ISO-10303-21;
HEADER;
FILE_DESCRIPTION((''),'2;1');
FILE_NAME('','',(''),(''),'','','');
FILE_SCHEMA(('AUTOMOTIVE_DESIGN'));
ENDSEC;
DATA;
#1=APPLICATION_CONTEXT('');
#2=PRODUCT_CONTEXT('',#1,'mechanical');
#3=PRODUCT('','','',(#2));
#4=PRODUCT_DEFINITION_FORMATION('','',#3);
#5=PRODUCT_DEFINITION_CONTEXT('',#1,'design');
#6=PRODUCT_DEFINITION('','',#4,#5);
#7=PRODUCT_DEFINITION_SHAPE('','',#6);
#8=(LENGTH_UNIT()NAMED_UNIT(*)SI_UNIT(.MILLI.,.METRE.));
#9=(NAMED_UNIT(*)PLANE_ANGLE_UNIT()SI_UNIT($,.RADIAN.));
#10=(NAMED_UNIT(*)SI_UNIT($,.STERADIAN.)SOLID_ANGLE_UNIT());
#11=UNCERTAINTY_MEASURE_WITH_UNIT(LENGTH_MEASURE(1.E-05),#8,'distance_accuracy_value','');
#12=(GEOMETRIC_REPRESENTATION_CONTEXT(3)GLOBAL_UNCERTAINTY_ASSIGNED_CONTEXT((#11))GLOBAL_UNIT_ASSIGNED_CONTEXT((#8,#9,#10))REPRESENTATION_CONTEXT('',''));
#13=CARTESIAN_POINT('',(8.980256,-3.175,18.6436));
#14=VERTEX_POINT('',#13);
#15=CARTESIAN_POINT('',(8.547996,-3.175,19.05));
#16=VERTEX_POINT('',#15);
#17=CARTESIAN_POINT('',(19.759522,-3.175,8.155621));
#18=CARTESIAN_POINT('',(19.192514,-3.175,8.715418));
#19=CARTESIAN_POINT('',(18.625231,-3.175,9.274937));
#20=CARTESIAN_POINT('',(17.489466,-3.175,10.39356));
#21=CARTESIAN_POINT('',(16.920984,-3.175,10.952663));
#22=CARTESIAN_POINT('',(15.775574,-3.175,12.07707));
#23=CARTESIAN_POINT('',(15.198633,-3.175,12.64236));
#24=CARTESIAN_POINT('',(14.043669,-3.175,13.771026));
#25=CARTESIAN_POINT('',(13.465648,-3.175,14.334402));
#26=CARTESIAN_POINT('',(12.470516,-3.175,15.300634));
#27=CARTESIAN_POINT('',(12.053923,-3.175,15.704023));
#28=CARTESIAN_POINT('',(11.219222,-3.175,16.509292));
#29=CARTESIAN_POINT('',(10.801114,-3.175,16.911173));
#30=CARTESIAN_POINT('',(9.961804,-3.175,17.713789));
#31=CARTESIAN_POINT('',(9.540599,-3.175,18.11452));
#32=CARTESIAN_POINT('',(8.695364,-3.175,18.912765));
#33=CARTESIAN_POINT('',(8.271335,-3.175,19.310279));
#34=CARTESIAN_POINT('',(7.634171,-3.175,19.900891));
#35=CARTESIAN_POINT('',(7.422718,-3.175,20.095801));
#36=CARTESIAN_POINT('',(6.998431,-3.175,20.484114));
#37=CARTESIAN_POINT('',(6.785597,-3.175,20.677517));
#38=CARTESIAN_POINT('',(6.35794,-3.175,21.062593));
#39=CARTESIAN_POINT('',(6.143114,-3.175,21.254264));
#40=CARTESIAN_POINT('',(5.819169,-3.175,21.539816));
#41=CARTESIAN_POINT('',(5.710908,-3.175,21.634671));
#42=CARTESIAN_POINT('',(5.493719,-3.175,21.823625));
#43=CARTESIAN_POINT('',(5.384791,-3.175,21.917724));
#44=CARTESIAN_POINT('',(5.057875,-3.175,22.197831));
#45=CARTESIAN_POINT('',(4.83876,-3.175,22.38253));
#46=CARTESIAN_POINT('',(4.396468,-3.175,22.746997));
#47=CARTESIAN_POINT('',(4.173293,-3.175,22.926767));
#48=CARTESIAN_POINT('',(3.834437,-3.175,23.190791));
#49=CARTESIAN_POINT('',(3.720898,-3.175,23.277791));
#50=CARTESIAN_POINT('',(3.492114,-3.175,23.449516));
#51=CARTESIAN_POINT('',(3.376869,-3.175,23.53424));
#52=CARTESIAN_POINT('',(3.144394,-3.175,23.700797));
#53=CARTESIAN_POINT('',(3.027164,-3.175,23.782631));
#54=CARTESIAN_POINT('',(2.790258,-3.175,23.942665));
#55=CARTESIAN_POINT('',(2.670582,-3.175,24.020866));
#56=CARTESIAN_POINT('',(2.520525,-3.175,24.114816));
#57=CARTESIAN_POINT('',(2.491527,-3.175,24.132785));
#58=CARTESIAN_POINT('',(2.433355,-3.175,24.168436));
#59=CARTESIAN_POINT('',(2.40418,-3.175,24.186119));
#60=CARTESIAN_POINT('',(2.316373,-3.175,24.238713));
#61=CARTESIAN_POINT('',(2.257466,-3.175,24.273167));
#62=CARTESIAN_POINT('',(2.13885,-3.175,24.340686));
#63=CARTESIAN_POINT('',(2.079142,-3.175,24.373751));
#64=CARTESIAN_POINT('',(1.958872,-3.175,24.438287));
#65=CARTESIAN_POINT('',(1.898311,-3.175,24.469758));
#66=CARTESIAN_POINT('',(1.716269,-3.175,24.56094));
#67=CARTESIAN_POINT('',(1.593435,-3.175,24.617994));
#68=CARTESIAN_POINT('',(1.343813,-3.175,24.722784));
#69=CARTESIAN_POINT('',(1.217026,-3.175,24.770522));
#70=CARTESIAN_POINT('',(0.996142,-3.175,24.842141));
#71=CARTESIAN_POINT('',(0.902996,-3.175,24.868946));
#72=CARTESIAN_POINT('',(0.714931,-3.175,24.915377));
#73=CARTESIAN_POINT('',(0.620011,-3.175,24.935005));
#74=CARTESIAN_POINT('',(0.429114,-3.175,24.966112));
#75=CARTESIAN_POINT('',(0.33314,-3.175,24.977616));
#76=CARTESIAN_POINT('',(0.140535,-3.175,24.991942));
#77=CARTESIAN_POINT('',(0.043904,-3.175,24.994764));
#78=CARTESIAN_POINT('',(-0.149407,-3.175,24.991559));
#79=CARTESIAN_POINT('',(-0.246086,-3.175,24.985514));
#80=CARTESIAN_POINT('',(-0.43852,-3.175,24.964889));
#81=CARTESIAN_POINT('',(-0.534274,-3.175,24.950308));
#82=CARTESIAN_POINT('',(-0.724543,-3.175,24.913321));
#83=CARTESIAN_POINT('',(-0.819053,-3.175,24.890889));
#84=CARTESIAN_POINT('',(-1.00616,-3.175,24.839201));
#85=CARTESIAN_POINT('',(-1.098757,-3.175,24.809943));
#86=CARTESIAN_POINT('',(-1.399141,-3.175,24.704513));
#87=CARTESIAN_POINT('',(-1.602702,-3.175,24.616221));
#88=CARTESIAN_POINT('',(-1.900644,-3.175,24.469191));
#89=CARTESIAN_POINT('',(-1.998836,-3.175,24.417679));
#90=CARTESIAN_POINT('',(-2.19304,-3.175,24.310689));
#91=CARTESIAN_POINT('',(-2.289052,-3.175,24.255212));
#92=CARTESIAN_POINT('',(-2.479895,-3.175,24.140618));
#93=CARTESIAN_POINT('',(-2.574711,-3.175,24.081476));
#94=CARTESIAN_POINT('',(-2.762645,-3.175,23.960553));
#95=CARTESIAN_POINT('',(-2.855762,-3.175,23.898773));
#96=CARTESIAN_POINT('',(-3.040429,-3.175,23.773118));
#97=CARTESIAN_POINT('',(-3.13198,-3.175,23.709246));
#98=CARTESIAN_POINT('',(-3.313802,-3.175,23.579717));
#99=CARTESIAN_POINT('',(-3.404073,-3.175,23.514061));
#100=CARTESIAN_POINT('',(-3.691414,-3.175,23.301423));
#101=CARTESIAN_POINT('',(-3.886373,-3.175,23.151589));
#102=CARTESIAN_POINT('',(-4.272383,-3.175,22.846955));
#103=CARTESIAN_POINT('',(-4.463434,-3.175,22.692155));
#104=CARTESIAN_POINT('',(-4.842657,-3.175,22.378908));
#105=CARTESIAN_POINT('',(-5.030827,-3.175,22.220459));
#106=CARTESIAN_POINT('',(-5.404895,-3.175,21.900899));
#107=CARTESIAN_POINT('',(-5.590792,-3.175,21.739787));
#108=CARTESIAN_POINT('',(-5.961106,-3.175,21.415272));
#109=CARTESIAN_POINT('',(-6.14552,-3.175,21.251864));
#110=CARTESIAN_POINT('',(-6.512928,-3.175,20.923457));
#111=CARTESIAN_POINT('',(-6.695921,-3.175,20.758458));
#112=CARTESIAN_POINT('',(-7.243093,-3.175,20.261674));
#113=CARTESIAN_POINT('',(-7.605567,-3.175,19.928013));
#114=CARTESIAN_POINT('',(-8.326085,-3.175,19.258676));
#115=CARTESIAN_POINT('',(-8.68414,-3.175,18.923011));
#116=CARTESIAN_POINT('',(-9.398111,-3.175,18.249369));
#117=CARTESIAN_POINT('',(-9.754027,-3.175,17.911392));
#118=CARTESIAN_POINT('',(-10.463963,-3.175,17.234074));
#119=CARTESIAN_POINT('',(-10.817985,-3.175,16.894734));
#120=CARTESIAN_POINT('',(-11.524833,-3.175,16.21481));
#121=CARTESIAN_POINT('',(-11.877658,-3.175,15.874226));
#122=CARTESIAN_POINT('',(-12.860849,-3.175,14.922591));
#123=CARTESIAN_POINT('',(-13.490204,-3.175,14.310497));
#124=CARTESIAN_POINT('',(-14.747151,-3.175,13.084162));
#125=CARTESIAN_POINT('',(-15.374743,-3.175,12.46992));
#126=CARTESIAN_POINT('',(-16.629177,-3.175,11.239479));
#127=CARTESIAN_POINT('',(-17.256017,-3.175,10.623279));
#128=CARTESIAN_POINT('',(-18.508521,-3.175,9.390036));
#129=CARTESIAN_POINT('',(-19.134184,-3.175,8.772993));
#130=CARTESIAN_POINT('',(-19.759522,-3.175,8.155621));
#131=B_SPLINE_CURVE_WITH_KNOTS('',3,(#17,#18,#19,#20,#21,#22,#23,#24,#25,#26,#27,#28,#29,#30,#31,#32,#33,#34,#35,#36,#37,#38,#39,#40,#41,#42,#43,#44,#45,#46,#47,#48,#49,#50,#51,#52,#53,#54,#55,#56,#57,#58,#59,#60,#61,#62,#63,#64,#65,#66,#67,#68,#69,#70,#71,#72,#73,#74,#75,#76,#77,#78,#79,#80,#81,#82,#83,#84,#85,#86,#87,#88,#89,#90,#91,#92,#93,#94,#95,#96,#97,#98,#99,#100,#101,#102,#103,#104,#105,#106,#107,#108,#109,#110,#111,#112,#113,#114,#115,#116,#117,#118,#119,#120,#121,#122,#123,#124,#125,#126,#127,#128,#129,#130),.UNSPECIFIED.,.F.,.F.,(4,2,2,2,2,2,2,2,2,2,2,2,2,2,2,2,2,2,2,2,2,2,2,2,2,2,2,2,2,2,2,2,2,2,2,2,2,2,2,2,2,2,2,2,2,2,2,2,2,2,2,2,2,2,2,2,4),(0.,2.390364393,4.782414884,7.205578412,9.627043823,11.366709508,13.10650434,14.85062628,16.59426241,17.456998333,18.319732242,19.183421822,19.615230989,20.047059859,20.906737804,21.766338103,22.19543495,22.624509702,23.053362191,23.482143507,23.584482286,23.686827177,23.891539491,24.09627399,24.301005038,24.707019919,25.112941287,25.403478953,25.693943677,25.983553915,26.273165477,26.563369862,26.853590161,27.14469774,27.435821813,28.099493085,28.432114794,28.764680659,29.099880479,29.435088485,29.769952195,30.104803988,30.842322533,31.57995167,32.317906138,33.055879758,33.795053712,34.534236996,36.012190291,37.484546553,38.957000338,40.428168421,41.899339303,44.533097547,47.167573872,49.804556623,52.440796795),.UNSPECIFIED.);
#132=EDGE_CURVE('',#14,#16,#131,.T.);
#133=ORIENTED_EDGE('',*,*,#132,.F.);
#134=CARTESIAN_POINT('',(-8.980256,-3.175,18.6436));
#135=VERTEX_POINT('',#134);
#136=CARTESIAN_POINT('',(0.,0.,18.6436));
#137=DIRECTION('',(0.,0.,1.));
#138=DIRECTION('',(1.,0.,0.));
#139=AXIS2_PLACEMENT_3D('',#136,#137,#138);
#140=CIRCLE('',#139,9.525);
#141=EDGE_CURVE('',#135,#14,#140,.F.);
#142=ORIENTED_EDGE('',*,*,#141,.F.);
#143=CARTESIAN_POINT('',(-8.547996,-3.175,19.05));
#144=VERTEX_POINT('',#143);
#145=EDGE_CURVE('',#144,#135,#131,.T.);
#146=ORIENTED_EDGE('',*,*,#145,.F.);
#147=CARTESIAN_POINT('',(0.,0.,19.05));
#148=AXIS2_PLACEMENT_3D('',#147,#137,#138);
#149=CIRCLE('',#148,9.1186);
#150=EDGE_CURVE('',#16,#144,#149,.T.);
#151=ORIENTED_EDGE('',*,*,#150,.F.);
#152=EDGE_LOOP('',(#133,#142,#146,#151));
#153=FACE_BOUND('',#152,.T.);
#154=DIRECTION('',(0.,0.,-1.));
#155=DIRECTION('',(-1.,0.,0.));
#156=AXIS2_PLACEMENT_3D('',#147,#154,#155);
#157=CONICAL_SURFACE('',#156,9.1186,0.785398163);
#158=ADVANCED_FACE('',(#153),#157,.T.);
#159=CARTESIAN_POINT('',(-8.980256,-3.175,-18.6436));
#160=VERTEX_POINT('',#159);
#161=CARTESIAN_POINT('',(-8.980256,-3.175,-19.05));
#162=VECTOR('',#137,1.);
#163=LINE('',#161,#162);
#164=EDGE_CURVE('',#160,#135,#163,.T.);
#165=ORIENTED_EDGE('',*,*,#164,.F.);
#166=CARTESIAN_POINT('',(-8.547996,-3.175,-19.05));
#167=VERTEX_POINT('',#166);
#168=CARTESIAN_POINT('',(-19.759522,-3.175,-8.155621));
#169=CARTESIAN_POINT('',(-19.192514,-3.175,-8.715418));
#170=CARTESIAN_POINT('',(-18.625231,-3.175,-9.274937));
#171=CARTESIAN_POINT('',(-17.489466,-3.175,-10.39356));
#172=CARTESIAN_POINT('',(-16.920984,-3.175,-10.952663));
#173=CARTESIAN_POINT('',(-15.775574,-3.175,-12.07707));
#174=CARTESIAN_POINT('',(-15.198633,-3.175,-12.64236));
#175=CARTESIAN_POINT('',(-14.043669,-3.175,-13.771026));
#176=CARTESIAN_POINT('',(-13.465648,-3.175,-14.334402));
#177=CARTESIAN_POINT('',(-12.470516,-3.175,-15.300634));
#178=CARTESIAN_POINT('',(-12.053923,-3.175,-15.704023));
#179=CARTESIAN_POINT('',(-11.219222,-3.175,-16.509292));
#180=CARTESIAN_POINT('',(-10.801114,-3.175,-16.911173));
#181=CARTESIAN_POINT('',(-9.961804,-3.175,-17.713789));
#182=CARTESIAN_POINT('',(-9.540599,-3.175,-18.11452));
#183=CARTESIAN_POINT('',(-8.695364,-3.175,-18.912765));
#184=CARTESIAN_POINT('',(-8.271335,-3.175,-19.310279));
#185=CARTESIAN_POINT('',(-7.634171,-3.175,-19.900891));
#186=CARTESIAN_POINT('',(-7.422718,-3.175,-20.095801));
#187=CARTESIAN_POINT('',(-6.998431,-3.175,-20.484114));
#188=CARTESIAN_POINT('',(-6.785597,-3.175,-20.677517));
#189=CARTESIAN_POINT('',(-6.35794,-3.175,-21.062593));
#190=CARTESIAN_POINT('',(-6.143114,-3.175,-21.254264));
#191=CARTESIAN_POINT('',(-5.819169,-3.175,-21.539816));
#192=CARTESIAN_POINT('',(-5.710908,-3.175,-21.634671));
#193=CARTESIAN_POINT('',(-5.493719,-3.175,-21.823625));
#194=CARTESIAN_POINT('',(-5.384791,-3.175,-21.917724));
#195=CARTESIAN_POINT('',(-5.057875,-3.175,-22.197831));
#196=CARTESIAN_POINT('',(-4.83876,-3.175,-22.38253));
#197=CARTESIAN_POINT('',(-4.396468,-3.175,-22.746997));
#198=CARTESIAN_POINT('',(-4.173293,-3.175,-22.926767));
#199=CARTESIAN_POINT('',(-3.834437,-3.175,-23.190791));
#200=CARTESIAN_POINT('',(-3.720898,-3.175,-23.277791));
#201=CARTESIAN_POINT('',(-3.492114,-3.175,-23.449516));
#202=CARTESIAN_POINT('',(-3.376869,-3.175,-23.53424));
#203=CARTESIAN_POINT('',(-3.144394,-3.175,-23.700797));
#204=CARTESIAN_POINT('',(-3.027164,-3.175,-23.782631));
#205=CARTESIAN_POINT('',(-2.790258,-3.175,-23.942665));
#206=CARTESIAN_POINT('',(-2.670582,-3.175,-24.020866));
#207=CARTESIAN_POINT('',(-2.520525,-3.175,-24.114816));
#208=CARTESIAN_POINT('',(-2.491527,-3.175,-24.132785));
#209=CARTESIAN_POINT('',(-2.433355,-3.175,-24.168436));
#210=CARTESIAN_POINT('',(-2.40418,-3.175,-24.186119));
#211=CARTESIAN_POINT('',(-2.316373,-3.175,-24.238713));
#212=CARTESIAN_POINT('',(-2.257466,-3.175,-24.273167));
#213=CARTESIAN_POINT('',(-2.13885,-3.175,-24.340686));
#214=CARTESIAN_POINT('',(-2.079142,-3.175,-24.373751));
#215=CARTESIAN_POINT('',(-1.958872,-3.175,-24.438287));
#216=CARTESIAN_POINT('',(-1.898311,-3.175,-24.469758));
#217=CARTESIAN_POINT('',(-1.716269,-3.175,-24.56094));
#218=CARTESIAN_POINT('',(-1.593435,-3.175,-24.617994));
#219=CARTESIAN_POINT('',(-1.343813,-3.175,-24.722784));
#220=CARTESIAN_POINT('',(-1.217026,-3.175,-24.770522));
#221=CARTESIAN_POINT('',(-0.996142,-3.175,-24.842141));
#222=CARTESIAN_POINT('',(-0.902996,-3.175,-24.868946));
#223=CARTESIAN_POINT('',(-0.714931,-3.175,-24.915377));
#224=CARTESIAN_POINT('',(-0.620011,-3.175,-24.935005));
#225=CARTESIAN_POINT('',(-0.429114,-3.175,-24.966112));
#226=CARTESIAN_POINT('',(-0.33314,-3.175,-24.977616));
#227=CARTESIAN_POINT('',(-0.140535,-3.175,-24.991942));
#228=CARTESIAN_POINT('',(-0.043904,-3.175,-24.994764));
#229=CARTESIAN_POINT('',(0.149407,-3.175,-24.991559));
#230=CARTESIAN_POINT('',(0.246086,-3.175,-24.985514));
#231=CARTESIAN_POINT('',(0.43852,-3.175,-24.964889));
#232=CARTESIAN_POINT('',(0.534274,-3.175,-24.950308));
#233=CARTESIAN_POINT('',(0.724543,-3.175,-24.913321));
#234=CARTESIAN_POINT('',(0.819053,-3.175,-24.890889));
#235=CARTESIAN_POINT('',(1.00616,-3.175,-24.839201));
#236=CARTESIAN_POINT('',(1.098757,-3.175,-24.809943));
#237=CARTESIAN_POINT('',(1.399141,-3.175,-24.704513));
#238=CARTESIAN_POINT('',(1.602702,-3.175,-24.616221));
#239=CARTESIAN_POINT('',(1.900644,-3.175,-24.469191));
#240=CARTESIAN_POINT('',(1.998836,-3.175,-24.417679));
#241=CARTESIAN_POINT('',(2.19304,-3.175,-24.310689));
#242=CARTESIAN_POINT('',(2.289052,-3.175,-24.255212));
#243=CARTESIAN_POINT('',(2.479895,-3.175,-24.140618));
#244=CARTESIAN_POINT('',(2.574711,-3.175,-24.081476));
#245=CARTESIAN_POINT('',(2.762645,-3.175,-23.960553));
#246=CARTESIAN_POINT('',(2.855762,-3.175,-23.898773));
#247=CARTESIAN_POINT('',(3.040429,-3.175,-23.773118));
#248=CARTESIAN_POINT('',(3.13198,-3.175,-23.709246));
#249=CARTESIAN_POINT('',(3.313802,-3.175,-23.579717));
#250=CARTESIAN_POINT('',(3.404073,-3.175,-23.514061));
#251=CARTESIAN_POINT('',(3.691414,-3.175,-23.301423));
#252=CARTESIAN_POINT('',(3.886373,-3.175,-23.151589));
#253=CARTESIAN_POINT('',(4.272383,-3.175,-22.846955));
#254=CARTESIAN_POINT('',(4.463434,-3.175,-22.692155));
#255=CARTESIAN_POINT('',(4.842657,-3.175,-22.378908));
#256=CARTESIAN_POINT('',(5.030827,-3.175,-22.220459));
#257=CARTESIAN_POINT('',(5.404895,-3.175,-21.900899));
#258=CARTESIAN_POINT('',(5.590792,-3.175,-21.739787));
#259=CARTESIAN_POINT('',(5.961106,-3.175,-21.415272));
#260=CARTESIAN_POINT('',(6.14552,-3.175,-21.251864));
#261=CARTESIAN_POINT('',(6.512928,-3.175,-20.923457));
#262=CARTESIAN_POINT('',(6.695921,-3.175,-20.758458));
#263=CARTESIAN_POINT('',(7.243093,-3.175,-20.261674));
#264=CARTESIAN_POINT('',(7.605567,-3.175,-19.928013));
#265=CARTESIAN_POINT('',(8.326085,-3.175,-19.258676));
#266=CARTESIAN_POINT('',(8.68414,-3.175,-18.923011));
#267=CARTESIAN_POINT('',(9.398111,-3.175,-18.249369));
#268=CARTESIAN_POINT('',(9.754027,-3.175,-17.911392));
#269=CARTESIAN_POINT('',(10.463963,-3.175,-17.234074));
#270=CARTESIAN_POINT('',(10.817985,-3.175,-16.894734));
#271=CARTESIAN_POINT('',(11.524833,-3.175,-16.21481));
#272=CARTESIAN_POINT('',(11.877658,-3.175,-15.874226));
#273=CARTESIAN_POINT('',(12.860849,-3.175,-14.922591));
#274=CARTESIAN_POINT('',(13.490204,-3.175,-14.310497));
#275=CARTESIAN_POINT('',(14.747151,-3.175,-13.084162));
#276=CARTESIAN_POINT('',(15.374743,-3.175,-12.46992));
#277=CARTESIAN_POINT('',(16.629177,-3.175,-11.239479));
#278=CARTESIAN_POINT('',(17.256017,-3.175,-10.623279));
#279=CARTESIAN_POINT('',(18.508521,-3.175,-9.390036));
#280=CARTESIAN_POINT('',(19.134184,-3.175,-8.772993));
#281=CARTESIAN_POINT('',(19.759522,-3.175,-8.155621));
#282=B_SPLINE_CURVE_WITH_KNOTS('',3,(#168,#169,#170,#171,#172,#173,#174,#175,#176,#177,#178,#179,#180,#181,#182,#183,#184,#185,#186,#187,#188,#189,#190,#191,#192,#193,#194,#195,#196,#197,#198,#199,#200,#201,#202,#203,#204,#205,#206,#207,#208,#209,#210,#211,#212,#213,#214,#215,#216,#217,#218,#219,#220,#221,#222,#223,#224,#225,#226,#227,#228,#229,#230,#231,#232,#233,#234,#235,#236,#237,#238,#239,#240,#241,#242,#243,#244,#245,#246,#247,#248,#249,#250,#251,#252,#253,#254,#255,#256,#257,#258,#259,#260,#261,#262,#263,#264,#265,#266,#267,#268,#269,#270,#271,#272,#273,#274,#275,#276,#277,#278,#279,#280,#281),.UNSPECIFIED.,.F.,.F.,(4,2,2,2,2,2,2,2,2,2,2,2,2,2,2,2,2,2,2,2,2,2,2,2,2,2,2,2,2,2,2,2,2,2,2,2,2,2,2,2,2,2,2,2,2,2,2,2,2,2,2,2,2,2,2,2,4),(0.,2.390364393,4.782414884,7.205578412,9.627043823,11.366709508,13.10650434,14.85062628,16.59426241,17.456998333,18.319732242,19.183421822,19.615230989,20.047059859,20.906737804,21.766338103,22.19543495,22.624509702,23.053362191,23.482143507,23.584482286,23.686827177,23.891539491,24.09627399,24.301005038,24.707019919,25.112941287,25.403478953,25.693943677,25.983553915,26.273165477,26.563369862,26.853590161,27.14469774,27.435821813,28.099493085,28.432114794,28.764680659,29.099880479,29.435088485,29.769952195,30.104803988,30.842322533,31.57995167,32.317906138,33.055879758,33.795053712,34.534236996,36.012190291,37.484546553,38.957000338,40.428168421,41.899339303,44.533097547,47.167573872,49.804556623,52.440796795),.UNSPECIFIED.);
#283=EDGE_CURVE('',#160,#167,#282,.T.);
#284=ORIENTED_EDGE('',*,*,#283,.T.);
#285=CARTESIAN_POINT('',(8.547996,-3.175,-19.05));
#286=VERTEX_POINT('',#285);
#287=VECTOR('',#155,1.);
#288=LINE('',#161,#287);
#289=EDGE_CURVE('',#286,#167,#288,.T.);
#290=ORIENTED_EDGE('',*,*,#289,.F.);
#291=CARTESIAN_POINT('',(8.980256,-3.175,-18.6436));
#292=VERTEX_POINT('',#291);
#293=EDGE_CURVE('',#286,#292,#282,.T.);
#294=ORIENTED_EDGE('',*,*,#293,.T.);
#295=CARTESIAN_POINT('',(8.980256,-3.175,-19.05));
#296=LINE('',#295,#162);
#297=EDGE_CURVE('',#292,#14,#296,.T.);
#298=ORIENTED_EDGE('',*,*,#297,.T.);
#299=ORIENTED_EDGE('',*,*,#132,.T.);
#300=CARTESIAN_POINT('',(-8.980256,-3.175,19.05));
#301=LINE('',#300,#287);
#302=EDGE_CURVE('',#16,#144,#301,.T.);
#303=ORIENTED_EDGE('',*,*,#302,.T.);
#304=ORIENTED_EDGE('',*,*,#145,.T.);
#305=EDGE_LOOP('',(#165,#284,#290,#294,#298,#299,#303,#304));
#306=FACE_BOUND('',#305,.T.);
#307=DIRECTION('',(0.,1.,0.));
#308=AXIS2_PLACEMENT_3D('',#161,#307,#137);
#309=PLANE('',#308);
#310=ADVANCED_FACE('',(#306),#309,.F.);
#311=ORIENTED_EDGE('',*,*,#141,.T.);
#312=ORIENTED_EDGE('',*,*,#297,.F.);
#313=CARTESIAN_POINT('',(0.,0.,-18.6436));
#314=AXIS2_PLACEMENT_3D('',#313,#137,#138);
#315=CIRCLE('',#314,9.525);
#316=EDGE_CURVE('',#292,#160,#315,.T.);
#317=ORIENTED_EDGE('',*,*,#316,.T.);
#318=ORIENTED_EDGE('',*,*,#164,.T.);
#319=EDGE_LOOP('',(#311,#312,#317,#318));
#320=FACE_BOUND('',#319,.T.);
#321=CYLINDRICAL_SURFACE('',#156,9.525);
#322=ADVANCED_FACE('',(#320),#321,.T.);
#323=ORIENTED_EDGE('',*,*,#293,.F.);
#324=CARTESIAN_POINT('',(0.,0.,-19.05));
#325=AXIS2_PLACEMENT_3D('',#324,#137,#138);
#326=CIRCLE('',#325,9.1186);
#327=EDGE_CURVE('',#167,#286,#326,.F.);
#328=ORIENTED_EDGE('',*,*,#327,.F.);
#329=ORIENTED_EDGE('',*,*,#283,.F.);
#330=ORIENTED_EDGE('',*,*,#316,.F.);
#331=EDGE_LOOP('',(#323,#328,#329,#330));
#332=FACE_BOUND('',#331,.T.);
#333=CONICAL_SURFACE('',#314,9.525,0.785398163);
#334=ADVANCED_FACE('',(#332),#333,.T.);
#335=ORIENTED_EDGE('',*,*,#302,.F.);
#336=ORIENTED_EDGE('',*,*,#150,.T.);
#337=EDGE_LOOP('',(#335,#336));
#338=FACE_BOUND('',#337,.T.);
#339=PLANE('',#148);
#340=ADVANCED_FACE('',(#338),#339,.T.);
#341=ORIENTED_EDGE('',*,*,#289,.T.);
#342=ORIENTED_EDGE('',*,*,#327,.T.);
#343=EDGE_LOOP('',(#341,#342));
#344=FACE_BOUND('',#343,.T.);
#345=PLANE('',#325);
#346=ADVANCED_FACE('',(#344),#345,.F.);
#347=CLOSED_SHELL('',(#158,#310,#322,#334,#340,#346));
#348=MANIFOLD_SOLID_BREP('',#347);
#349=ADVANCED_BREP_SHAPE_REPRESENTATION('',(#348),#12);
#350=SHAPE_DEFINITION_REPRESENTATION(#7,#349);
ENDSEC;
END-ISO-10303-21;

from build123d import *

# Parameters (mm, degrees)
SKETCH1_R            = 9.525
EXTRUDE1_DEPTH       = 19.05
CHAMFER1_SIZE        = 0.4064
TRUNCATED_DEPTH      = 20.05
TRUNCATED_DEPTH_BACK = 20.05


with BuildPart() as part:
    # Sketch1 → Extrude1 (new body, symmetric)
    with BuildSketch(Plane.XY):
        Circle(SKETCH1_R)
    extrude(amount=EXTRUDE1_DEPTH, both=True)

    # Chamfer1
    chamfer1_edges = [part.edges().sort_by_distance(p)[0] for p in [
        (-9.525, 0, -19.05),
        (-9.525, 0, 19.05),
    ]]
    chamfer(chamfer1_edges, length=CHAMFER1_SIZE)

    # Sketch2 → Truncated (cut, two sides)
    with BuildSketch(Plane.XY) as truncated_sk:
        with BuildLine():
            Line((-8.980256121, -3.175), (8.980256121, -3.175))
            ThreePointArc((8.980256121, -3.175), (0, -9.525), (-8.980256121, -3.175))
        make_face()
    extrude(amount=TRUNCATED_DEPTH, mode=Mode.SUBTRACT)
    extrude(truncated_sk.sketch, amount=-TRUNCATED_DEPTH_BACK, mode=Mode.SUBTRACT)


solid = part.part
